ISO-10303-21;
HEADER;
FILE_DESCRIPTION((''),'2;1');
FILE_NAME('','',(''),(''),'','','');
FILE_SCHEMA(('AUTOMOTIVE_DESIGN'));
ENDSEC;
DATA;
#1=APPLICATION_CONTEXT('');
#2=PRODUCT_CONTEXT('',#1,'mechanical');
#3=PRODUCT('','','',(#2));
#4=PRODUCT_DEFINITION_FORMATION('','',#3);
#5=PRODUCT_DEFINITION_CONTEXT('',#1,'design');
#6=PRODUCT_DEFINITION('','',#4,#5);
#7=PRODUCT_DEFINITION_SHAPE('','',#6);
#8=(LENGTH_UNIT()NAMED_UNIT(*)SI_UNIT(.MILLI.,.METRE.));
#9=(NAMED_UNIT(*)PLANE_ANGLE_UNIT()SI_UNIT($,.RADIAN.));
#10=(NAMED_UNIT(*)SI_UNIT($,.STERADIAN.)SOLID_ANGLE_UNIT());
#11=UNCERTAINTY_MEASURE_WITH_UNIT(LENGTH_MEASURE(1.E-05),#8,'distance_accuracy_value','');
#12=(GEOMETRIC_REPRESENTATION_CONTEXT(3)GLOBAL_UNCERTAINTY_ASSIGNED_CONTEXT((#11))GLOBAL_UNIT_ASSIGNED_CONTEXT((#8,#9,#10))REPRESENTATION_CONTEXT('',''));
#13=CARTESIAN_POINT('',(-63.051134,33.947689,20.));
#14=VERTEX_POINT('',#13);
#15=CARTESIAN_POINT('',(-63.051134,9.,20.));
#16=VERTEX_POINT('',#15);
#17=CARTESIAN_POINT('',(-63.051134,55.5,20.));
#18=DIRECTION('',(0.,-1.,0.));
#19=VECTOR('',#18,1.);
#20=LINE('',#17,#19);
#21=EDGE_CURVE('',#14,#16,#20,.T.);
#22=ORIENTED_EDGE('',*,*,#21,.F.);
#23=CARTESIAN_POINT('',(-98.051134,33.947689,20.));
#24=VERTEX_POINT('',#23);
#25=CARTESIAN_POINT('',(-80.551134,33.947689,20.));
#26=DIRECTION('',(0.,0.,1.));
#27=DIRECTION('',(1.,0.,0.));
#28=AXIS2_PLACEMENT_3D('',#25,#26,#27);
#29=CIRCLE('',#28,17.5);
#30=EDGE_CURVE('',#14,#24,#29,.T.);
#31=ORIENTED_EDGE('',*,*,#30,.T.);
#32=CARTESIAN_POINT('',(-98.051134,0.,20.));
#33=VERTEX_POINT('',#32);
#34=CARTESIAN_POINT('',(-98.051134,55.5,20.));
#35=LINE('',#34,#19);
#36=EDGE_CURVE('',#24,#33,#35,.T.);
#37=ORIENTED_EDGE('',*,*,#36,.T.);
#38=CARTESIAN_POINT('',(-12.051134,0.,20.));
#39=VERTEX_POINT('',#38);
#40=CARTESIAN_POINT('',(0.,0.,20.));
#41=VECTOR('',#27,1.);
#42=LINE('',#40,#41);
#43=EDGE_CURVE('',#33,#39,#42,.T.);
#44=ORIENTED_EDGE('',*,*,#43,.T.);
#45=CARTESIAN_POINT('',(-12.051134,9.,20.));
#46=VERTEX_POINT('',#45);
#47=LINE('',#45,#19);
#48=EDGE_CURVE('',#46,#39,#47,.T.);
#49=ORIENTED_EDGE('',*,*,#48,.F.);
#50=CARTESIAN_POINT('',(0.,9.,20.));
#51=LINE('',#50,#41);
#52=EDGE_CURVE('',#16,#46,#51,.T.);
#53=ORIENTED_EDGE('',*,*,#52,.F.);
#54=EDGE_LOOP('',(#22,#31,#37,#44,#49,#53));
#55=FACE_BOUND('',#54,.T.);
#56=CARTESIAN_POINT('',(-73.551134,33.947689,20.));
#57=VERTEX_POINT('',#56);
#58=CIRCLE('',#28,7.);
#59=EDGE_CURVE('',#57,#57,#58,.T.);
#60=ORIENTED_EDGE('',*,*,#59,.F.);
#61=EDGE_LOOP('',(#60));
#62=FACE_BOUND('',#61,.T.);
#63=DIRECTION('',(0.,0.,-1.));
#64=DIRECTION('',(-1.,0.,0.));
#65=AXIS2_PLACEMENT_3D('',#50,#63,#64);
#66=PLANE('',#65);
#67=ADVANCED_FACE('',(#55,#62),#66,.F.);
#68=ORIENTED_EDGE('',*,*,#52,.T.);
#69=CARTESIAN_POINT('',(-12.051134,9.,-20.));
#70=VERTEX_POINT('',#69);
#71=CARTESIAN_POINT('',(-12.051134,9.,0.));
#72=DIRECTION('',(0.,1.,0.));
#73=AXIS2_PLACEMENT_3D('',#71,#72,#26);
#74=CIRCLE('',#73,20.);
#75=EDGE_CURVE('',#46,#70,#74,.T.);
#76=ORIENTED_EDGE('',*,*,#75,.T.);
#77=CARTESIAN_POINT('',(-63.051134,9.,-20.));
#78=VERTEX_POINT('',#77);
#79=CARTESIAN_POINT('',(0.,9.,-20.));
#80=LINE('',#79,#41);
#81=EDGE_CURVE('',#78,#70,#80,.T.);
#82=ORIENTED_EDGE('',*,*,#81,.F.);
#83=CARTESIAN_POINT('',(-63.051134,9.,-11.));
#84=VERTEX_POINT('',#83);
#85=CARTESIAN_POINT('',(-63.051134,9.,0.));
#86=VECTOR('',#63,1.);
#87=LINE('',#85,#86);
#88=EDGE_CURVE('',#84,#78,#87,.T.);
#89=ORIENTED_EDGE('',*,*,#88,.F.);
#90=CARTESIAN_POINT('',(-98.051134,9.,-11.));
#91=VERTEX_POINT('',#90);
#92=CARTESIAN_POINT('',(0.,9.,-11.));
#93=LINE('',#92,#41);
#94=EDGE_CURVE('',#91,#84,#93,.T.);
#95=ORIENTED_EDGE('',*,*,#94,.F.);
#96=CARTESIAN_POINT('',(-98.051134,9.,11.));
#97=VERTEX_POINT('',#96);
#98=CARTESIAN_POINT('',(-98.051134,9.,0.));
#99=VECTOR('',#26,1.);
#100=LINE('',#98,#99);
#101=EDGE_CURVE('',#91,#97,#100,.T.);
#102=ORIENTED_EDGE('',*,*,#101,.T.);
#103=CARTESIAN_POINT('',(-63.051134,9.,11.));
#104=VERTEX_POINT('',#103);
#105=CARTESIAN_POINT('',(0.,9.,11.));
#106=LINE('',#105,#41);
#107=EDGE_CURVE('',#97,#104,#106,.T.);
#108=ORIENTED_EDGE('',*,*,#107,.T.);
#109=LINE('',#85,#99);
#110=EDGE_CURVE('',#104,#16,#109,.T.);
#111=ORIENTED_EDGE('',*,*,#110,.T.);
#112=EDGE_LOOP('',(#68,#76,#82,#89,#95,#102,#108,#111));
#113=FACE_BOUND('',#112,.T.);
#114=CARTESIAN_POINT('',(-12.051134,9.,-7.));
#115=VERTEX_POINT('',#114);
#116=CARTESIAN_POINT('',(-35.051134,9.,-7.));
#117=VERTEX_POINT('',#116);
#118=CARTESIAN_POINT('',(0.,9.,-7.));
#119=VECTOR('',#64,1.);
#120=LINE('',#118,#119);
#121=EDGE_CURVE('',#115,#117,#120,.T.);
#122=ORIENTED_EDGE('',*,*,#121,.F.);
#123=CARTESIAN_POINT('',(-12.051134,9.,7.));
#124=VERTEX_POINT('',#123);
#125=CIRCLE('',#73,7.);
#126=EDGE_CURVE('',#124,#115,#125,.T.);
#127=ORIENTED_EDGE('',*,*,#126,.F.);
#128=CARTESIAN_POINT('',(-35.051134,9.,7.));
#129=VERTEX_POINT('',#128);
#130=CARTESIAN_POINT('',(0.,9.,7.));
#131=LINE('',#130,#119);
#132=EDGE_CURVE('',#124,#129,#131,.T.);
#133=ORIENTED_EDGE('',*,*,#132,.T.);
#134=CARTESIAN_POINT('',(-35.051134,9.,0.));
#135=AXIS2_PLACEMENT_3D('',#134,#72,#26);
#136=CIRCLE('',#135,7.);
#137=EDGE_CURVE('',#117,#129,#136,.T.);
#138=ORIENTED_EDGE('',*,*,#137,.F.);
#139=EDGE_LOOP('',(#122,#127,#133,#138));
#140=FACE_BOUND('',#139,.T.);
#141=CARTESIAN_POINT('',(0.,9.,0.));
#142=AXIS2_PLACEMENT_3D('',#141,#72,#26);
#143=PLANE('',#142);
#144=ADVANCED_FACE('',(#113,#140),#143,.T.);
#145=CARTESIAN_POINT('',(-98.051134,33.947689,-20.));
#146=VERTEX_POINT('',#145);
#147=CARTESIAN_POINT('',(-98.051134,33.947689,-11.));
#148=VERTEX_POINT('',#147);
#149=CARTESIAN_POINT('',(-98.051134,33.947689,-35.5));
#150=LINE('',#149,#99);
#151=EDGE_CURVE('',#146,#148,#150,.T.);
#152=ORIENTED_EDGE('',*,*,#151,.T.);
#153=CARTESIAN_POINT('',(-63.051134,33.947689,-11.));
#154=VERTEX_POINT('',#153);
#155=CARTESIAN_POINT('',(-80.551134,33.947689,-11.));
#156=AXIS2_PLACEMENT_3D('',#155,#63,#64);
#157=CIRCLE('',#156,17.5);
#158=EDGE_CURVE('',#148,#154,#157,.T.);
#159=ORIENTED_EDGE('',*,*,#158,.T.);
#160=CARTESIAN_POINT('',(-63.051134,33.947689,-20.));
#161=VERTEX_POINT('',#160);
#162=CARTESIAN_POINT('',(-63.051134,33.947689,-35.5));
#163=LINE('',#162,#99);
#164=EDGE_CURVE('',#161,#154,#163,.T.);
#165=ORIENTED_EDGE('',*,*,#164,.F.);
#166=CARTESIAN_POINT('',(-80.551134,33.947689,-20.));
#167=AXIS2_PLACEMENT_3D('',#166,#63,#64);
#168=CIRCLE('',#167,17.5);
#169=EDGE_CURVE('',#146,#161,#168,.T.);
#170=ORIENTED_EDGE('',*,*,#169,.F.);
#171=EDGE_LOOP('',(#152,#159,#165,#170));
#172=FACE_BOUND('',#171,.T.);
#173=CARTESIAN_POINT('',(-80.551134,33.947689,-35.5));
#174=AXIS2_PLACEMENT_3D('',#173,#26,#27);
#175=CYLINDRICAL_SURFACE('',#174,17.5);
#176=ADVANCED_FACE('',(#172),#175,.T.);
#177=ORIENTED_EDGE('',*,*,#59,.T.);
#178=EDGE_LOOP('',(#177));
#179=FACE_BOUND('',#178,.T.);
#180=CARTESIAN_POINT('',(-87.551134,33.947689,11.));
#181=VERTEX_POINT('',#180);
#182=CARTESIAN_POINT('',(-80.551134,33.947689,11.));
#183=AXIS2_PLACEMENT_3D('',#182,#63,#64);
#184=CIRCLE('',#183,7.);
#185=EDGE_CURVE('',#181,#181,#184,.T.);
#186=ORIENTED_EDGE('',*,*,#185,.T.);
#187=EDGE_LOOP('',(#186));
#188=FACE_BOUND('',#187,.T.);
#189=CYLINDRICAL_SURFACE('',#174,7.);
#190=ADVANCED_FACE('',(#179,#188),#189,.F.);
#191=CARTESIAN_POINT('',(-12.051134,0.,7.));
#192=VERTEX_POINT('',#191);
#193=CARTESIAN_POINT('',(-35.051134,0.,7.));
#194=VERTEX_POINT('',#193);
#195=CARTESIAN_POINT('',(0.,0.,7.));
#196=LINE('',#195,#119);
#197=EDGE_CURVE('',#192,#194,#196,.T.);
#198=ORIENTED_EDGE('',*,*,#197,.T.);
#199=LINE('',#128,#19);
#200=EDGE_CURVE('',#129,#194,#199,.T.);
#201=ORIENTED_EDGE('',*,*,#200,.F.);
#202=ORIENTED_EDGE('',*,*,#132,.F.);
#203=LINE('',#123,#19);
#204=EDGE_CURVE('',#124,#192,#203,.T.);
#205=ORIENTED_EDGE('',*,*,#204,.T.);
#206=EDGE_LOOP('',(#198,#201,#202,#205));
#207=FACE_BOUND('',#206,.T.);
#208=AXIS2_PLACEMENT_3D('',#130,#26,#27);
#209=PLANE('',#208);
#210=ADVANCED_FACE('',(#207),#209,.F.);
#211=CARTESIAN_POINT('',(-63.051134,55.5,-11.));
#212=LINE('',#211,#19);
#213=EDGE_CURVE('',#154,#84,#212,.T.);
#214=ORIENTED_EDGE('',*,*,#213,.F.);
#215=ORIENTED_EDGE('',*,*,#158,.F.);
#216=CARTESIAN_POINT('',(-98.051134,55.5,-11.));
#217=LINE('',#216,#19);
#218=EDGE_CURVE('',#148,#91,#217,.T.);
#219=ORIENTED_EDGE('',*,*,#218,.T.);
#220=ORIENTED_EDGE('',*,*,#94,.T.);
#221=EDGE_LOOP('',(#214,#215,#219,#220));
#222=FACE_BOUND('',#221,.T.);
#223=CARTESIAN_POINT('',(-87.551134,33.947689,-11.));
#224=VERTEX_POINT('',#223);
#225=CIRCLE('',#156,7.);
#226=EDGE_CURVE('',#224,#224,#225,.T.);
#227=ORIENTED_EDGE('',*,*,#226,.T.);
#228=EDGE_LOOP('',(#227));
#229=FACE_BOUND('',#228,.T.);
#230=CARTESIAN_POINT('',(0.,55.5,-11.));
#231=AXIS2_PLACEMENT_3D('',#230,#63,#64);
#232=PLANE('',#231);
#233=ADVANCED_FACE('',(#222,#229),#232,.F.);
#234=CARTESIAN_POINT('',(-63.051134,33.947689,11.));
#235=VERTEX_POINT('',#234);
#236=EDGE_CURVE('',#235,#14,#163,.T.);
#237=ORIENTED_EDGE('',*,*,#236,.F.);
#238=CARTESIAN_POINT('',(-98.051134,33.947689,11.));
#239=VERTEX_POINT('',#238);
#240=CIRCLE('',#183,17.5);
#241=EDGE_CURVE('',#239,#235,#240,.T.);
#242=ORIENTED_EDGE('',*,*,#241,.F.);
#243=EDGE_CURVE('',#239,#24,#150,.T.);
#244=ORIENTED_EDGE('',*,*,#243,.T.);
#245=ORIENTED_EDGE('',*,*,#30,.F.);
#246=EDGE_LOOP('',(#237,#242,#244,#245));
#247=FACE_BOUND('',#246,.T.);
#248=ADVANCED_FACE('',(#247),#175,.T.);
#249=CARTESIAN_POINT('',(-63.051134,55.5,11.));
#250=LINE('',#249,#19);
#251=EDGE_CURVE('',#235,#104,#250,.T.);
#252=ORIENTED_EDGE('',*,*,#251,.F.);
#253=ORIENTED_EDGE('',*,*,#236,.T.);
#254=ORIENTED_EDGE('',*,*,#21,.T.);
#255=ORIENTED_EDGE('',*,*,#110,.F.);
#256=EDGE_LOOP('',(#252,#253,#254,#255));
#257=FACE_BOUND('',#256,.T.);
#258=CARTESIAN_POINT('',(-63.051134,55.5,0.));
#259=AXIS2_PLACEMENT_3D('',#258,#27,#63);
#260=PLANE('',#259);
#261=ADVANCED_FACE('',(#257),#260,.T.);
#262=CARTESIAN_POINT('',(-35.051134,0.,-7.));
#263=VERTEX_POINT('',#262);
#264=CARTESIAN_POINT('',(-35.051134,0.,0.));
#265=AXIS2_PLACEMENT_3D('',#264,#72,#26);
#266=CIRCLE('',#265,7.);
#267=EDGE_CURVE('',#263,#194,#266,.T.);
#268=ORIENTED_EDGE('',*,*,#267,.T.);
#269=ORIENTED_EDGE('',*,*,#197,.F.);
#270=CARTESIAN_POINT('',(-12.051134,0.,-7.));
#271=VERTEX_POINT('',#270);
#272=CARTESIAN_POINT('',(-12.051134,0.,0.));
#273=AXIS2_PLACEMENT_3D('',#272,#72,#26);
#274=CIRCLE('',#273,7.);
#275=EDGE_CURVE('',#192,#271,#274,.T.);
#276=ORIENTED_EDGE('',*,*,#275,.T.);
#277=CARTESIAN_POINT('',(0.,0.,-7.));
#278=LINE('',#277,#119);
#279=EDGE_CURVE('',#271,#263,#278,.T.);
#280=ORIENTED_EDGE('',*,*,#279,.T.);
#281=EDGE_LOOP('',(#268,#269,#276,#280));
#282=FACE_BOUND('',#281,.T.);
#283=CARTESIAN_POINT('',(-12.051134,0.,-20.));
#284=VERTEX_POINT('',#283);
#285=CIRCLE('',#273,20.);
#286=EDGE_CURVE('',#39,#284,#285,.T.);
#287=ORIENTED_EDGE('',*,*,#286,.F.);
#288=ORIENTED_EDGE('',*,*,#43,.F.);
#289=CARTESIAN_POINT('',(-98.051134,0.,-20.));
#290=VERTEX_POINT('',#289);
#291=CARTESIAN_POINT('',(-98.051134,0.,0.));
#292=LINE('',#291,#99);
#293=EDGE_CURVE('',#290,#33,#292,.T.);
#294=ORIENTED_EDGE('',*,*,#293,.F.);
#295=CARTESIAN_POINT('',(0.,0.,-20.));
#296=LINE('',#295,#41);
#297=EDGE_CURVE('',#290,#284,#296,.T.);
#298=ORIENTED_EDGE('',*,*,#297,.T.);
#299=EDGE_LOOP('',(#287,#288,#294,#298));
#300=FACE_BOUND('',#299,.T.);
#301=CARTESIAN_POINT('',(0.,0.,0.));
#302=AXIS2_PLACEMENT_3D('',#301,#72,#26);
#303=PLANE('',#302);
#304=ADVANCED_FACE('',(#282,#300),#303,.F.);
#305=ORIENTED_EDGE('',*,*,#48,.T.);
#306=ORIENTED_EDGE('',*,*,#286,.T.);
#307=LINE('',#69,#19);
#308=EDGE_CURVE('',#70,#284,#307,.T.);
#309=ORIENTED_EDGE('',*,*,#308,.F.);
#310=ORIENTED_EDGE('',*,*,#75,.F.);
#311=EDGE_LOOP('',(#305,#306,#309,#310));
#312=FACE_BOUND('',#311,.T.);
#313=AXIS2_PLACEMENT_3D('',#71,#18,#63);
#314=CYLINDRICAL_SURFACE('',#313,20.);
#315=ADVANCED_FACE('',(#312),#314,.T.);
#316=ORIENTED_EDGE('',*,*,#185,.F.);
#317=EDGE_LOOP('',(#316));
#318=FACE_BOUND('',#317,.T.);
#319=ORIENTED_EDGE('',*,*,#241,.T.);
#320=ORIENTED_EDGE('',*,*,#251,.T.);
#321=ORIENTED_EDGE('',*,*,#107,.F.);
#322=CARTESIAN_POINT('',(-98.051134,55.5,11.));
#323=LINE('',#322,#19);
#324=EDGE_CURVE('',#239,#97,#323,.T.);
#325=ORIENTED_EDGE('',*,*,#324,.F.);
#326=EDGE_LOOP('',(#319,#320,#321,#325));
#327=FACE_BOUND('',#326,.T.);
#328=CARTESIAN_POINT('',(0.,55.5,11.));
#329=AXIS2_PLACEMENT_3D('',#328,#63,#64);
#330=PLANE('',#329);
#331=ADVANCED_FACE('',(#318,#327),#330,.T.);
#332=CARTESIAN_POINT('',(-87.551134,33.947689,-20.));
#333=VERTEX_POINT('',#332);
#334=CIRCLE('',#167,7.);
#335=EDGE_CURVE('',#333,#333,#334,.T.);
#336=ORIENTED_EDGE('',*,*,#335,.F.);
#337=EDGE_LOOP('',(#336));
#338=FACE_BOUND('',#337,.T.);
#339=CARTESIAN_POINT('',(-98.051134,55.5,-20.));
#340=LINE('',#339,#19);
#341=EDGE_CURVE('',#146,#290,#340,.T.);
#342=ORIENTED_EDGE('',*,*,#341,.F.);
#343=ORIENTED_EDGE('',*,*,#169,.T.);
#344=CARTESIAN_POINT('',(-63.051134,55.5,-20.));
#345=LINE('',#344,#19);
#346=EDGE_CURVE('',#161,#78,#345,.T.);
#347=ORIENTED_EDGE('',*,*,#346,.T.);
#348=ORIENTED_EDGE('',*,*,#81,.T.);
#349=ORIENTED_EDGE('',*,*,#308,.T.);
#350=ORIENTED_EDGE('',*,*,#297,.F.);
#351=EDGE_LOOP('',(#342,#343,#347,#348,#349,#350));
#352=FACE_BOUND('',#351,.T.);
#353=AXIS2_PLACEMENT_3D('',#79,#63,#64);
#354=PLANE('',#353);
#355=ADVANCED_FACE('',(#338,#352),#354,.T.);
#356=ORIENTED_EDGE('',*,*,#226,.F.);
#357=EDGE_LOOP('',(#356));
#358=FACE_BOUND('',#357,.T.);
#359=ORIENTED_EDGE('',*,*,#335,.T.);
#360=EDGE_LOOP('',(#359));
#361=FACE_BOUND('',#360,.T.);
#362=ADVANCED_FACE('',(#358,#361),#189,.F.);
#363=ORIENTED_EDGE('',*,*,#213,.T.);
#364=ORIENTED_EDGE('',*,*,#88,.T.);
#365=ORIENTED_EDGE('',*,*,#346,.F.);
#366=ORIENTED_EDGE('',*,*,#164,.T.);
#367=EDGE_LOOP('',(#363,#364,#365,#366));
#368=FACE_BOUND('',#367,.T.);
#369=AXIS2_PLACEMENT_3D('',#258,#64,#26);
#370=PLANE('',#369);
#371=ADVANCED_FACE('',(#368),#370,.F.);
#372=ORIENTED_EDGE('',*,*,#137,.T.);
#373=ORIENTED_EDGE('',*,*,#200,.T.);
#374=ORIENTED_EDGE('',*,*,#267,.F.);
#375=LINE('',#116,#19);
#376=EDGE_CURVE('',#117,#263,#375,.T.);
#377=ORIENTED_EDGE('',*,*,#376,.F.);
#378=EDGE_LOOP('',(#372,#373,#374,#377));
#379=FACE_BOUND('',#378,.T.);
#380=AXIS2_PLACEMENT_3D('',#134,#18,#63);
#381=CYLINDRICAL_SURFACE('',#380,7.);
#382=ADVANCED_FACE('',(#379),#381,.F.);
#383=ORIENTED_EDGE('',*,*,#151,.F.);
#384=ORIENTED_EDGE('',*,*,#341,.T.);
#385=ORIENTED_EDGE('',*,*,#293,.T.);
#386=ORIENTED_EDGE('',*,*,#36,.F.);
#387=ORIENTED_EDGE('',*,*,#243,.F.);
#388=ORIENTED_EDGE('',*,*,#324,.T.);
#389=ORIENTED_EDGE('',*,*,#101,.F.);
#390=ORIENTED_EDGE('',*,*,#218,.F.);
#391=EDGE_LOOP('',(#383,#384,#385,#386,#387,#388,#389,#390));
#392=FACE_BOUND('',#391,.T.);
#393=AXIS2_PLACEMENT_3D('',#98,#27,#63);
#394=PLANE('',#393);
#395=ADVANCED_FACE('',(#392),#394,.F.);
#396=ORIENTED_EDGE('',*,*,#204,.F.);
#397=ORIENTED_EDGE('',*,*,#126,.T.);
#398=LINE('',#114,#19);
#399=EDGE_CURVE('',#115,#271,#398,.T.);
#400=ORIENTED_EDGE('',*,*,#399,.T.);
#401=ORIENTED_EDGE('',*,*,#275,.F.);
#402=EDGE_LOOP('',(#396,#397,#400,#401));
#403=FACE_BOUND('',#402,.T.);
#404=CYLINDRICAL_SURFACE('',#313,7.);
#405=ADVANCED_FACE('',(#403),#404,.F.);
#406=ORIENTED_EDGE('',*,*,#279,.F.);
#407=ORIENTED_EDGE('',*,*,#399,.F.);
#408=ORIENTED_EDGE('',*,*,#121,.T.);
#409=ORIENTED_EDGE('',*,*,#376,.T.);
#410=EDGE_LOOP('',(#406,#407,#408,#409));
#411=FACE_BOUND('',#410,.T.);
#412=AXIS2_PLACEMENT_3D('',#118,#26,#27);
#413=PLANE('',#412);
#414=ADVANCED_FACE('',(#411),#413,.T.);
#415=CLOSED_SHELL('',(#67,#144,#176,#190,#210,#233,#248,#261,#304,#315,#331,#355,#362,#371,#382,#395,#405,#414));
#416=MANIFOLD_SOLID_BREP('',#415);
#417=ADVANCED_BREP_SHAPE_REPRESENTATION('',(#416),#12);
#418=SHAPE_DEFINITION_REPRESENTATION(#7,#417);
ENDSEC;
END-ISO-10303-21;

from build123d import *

# Parameters (mm, degrees)
BOSS_EXTRUDE1_DEPTH = 9
SKETCH2_3_W         = 35
SKETCH2_3_H         = 9
BOSS_EXTRUDE2_DEPTH = 55.5
SKETCH3_R           = 7
CUT_EXTRUDE1_DEPTH  = 55.5


with BuildPart() as part:
    # Sketch2 → Boss-Extrude1 (new body)
    with BuildSketch(Plane(origin=(0, 0, 0), x_dir=(1, 0, 0), z_dir=(0, 1, 0))):
        with BuildLine():
            Line((-12.051133951, 20), (-63.051133951, 20))
            Line((-63.051133951, 20), (-63.051133951, 11))
            Line((-63.051133951, 11), (-98.051133951, 11))
            Line((-98.051133951, 11), (-98.051133951, -11))
            Line((-98.051133951, -11), (-63.051133951, -11))
            Line((-63.051133951, -11), (-63.051133951, -20))
            Line((-63.051133951, -20), (-12.051133951, -20))
            ThreePointArc((-12.051133951, -20), (7.948866049, 0), (-12.051133951, 20))
        make_face()
        with BuildLine():
            ThreePointArc((-12.051133951, 7), (-5.051133951, 0), (-12.051133951, -7))
            Line((-12.051133951, -7), (-35.051133951, -7))
            ThreePointArc((-35.051133951, -7), (-42.051133951, 0), (-35.051133951, 7))
            Line((-35.051133951, 7), (-12.051133951, 7))
        make_face(mode=Mode.SUBTRACT)
    extrude(amount=BOSS_EXTRUDE1_DEPTH)

    # Sketch2<3> → Boss-Extrude2 (add)
    with BuildSketch(Plane(origin=(0, 0, 0), x_dir=(1, 0, 0), z_dir=(0, 1, 0))):
        with Locations((-80.551133951, 15.5)):
            Rectangle(SKETCH2_3_W, SKETCH2_3_H)
        with Locations((-80.551133951, -15.5)):
            Rectangle(SKETCH2_3_W, SKETCH2_3_H)
    extrude(amount=BOSS_EXTRUDE2_DEPTH)

    # Sketch3 → Cut-Extrude1 (cut)
    with BuildSketch(Plane.XY.offset(20)):
        with BuildLine():
            ThreePointArc((-98.051133951, 33.947689481), (-80.551133951, 51.447689481), (-63.051133951, 33.947689481))
            Line((-63.051133951, 33.947689481), (-63.051133951, 55.5))
            Line((-63.051133951, 55.5), (-98.051133951, 55.5))
            Line((-98.051133951, 55.5), (-98.051133951, 33.947689481))
        make_face()
        with Locations((-80.551133951, 33.947689481)):
            Circle(SKETCH3_R)
    extrude(amount=-CUT_EXTRUDE1_DEPTH, mode=Mode.SUBTRACT)


solid = part.part
